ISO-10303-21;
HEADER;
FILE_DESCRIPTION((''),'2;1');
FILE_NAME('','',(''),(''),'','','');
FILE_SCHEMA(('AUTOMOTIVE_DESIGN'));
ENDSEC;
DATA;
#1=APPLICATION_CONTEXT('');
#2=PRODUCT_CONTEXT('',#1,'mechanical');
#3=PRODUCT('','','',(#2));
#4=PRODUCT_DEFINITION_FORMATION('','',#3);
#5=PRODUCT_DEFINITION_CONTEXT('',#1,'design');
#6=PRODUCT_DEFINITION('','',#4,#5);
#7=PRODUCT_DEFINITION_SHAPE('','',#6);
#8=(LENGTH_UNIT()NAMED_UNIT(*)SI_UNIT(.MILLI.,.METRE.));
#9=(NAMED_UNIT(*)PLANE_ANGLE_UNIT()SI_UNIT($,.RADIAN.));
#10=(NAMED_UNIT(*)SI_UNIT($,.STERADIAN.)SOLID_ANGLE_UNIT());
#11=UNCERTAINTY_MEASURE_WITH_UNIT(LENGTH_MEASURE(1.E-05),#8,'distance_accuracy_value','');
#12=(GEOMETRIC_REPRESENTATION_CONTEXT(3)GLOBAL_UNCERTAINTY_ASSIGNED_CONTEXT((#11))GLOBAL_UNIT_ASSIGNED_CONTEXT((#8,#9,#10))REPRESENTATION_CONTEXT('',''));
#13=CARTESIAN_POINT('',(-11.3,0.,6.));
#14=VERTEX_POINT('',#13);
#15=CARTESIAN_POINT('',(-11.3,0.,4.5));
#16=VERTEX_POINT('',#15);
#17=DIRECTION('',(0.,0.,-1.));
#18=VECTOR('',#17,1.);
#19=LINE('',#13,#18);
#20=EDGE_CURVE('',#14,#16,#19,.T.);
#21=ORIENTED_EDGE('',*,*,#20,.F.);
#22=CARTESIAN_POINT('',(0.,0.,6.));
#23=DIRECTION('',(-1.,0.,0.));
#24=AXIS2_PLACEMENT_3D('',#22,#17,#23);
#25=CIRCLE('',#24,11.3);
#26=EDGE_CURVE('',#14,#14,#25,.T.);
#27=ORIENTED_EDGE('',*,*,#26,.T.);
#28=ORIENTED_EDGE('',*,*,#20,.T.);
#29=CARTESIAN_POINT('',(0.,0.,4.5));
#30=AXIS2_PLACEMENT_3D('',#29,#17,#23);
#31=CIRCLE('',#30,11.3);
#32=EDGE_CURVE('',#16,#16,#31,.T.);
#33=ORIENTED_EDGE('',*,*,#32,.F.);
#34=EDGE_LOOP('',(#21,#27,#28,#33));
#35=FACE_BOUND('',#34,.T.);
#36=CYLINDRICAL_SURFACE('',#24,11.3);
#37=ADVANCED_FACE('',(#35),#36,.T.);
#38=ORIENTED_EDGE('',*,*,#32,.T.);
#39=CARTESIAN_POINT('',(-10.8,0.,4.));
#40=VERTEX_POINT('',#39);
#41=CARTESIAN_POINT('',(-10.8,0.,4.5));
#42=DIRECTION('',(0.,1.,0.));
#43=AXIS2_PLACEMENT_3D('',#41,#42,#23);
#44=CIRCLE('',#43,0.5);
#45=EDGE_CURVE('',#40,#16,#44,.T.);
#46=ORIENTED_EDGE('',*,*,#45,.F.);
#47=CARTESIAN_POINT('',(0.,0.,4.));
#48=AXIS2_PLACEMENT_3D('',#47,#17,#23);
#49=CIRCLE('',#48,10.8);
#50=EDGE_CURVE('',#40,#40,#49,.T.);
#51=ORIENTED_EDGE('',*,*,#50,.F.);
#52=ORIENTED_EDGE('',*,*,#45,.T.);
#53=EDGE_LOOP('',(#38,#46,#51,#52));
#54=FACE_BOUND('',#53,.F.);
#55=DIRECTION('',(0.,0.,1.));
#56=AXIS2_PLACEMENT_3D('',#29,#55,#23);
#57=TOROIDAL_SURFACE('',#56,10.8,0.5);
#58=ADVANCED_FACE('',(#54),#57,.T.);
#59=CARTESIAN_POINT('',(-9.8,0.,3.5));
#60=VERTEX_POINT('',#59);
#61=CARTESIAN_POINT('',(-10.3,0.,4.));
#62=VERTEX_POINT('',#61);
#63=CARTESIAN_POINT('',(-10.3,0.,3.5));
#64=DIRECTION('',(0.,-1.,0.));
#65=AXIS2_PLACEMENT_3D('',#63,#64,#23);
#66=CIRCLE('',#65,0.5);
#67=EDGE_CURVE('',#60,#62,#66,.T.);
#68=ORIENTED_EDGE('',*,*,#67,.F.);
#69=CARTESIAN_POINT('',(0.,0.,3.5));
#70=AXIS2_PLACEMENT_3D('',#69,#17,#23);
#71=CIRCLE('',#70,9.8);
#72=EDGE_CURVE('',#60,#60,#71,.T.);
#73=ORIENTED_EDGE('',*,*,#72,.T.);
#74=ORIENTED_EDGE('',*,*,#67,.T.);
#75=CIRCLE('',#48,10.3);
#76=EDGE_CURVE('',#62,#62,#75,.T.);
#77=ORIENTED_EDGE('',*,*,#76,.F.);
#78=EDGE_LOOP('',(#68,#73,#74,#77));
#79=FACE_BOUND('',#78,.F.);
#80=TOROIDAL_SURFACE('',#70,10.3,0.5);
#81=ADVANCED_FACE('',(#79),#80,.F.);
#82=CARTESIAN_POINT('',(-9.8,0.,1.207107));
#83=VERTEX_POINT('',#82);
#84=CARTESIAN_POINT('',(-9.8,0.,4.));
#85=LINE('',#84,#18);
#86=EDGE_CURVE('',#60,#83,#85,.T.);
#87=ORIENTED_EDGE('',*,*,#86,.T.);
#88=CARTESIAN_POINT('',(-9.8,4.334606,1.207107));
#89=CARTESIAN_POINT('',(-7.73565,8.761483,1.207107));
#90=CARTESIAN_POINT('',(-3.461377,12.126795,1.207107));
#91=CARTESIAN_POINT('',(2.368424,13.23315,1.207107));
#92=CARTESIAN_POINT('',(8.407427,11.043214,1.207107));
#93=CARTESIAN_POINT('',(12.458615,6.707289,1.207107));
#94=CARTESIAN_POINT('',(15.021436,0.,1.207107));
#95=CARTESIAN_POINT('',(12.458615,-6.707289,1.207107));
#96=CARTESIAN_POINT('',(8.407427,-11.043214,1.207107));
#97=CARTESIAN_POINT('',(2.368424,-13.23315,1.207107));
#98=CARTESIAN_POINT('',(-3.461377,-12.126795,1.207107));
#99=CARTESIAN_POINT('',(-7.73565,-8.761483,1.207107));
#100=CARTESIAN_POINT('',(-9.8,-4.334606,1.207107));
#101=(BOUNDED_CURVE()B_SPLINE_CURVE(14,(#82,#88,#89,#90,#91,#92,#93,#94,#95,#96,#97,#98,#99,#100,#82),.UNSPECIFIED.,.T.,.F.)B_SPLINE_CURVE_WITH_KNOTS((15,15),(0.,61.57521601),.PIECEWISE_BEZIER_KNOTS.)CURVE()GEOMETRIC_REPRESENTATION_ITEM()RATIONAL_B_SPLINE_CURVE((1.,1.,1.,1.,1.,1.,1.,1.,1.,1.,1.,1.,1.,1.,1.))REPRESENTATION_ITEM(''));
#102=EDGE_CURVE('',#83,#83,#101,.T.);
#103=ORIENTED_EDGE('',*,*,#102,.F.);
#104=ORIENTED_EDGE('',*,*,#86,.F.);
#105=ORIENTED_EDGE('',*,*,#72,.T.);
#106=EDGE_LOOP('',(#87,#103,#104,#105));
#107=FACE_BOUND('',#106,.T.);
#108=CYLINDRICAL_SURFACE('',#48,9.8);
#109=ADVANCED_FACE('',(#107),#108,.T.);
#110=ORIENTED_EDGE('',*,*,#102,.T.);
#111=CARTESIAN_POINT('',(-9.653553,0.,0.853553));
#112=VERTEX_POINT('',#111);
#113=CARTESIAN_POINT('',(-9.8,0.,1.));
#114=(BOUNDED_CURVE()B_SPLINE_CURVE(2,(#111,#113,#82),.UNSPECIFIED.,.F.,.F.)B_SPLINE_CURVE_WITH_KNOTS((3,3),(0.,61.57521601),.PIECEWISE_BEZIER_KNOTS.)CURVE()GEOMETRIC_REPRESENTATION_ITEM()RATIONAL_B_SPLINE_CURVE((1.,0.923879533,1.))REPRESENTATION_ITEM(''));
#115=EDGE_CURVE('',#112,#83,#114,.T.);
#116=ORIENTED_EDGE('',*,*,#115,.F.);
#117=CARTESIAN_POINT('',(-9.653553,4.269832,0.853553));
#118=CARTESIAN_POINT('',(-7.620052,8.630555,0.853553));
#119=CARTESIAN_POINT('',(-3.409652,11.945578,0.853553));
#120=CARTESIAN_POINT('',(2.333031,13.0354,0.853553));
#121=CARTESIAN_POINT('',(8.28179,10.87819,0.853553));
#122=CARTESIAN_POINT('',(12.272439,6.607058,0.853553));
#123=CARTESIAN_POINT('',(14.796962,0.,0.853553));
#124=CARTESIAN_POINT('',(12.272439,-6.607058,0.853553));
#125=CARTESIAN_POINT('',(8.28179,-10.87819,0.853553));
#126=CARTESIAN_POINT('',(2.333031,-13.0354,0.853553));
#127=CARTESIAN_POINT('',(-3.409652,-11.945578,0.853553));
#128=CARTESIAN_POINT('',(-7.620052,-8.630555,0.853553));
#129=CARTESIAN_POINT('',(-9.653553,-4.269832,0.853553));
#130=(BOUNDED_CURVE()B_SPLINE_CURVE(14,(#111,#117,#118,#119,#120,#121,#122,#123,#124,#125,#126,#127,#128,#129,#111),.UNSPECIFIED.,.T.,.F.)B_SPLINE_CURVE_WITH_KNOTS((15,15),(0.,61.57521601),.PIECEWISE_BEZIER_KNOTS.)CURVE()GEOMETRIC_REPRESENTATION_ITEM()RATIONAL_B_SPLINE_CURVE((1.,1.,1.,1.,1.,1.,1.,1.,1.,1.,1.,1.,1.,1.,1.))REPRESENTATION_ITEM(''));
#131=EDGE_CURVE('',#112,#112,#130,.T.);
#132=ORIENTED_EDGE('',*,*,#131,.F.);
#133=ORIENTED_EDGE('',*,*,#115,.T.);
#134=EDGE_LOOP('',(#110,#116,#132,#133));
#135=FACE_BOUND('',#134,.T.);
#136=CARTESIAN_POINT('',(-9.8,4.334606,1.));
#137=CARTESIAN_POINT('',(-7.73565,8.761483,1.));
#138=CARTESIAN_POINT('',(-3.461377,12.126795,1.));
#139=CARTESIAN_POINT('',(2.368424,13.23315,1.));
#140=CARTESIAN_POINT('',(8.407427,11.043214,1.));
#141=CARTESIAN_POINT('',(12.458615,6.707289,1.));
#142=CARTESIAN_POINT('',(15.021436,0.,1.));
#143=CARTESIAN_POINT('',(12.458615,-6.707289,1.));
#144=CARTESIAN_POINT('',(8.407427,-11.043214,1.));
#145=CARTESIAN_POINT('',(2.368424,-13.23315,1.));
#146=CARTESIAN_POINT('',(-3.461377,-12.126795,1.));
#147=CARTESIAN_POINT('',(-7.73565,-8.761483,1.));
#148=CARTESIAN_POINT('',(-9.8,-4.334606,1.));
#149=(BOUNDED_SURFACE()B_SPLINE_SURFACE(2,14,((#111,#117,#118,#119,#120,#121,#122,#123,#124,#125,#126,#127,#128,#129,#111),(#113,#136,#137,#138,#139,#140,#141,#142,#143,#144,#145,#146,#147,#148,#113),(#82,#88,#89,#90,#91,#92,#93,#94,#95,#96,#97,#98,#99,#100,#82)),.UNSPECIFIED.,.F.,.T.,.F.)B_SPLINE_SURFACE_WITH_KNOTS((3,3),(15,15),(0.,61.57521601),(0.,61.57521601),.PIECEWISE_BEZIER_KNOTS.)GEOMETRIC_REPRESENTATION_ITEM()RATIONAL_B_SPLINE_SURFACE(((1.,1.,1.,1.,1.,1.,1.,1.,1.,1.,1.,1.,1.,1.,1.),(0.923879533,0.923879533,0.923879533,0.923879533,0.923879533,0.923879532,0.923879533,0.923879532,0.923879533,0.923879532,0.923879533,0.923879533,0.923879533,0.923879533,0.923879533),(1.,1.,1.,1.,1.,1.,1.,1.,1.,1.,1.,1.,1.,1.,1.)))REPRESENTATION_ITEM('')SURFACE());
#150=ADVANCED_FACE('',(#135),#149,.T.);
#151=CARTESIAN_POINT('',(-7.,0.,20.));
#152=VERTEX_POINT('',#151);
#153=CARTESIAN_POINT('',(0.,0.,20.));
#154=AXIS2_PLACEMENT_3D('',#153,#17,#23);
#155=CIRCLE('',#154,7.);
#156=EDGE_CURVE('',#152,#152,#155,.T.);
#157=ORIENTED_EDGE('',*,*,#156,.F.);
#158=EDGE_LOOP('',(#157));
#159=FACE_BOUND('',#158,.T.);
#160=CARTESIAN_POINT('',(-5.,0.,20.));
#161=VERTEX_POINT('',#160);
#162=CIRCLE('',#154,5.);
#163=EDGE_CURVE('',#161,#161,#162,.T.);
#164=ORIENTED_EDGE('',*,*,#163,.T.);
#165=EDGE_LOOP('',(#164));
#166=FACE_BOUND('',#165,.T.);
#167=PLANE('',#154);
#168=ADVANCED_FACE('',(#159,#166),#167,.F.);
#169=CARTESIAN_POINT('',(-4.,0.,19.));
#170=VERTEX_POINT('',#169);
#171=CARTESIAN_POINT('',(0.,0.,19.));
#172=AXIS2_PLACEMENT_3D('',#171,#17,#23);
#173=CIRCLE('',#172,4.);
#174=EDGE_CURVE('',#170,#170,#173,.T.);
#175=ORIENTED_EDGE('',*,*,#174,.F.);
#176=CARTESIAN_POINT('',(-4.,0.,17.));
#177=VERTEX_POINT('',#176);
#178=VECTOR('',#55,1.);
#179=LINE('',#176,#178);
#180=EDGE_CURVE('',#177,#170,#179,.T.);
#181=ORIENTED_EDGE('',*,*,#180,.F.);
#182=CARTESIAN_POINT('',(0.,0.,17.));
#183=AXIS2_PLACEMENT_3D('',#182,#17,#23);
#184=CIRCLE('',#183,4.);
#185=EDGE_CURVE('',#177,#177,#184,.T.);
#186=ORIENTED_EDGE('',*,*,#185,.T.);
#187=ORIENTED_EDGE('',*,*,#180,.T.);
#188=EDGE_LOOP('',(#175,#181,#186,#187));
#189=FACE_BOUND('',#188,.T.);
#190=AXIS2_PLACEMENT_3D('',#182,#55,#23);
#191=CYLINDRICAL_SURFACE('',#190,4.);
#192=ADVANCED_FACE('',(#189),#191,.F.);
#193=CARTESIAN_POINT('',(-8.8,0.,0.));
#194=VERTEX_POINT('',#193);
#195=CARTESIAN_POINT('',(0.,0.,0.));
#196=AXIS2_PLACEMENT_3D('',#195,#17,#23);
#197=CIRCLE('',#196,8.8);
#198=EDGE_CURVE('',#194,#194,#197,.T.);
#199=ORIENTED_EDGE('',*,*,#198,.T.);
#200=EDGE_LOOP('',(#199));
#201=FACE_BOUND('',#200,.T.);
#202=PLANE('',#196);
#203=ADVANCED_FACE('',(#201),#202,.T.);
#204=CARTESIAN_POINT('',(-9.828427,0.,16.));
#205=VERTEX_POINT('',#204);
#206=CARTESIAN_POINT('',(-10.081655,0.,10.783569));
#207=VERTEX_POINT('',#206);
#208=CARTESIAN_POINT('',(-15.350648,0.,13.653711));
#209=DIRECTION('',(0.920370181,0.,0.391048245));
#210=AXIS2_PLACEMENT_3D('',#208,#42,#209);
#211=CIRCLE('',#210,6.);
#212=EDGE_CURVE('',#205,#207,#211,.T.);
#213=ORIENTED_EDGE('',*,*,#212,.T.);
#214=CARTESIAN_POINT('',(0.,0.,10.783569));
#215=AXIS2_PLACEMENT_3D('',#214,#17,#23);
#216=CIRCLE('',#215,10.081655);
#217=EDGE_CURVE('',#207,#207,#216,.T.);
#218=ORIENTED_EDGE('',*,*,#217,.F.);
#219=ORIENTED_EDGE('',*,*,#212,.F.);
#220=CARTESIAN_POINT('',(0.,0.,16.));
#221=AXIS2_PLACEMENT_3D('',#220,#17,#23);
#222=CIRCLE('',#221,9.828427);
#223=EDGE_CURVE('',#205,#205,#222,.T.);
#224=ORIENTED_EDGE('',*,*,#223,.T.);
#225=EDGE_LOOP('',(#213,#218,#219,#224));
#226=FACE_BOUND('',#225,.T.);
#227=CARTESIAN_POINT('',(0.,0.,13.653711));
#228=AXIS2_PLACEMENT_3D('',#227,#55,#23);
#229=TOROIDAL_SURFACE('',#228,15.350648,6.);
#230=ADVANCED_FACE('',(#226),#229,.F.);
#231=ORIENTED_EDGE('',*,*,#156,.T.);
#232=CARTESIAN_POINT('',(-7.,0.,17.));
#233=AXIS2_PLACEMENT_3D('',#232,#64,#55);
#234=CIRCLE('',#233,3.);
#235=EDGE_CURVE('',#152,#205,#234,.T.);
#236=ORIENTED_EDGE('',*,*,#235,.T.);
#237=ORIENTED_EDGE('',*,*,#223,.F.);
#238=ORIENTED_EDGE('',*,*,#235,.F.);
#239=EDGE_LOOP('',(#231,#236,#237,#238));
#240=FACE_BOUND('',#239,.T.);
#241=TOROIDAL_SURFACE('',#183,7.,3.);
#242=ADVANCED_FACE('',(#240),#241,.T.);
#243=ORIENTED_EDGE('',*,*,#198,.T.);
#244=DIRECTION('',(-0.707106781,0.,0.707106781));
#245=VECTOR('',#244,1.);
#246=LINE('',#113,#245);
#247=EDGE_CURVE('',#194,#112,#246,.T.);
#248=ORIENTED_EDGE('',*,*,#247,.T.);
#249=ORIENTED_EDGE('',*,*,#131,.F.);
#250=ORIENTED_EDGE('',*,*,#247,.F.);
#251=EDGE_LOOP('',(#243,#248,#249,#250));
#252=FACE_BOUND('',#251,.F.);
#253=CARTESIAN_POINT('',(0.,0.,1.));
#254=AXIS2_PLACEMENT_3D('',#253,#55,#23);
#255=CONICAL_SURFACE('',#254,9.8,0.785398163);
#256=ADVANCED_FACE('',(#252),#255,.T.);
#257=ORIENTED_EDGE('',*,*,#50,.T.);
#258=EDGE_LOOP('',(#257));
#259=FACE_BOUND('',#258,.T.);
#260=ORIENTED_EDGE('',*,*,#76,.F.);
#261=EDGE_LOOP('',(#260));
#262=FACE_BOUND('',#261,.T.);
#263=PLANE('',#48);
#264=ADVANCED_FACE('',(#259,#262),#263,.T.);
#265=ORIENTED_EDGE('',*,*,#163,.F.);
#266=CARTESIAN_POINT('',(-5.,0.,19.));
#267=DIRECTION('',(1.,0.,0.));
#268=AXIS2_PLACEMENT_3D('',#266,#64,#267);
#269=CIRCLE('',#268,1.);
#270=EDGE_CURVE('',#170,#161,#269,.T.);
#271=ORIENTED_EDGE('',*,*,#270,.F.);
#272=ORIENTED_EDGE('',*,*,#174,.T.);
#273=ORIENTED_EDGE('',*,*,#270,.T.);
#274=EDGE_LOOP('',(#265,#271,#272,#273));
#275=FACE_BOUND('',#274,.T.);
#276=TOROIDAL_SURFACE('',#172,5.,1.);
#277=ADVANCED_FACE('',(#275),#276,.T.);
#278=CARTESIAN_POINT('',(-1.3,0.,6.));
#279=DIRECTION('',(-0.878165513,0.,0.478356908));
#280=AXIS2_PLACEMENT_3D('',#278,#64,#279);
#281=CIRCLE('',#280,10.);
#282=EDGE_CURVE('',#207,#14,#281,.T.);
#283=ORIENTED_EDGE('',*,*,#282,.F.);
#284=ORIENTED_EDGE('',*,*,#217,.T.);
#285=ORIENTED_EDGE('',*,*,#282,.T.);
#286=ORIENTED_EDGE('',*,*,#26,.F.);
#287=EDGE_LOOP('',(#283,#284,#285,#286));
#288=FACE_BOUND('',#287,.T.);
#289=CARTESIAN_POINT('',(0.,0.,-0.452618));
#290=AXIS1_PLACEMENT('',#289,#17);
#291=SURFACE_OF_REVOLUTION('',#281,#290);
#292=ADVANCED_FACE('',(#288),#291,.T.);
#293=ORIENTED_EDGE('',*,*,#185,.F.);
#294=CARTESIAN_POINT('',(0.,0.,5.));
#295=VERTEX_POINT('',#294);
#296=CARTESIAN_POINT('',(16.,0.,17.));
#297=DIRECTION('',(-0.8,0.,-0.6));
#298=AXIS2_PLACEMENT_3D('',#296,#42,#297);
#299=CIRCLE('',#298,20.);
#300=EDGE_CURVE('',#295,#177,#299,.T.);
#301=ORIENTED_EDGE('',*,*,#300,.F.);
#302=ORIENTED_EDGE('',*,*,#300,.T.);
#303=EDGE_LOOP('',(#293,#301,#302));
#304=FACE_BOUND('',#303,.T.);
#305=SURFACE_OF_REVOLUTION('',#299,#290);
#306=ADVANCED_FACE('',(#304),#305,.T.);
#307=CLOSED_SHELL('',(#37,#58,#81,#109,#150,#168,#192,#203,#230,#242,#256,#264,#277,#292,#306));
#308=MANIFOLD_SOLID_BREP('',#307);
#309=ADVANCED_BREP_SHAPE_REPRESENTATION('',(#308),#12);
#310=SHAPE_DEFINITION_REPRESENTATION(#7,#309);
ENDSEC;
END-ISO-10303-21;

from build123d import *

# Parameters (mm, degrees)
F2_SIZE = 1
F3_R    = 0.5


with BuildPart() as f1:
    # F0 (on Front) → F1 (revolve)
    with BuildSketch(Plane.XZ):
        with BuildLine():
            Line((-9.8, 0), (0, 0))
            Line((0, 0), (0, 5))
            ThreePointArc((0, 5), (-2.973665961, 10.6754446797), (-4, 17))
            Line((-4, 17), (-4, 19))
            ThreePointArc((-4, 19), (-4.2928932188, 19.7071067812), (-5, 20))
            Line((-5, 20), (-7, 20))
            ThreePointArc((-7, 20), (-9.4494897428, 18.7320508076), (-9.8284271247, 16))
            ThreePointArc((-9.8284271247, 16), (-9.3577053882, 13.3627872928), (-10.0816551315, 10.7835690808))
            ThreePointArc((-10.0816551315, 10.7835690808), (-10.9906282385, 8.4681418805), (-11.3, 6))
            Line((-11.3, 6), (-11.3, 4))
            Line((-11.3, 4), (-9.8, 4))
            Line((-9.8, 4), (-9.8, 0))
        make_face()
    revolve(axis=Axis((0, 0, -0.4526181147), (0, 0, -1)))

    # F2
    f2_edges = [f1.edges().sort_by_distance(p)[0] for p in [
        (9.8, 0, 0),
    ]]
    chamfer(f2_edges, length=F2_SIZE)

    # F3
    f3_edges = [f1.edges().sort_by_distance(p)[0] for p in [
        (9.8, 0, 4),
        (11.3, 0, 4),
        (9.8, 0, 1),
    ]]
    fillet(f3_edges, radius=F3_R)


solid = f1.part
